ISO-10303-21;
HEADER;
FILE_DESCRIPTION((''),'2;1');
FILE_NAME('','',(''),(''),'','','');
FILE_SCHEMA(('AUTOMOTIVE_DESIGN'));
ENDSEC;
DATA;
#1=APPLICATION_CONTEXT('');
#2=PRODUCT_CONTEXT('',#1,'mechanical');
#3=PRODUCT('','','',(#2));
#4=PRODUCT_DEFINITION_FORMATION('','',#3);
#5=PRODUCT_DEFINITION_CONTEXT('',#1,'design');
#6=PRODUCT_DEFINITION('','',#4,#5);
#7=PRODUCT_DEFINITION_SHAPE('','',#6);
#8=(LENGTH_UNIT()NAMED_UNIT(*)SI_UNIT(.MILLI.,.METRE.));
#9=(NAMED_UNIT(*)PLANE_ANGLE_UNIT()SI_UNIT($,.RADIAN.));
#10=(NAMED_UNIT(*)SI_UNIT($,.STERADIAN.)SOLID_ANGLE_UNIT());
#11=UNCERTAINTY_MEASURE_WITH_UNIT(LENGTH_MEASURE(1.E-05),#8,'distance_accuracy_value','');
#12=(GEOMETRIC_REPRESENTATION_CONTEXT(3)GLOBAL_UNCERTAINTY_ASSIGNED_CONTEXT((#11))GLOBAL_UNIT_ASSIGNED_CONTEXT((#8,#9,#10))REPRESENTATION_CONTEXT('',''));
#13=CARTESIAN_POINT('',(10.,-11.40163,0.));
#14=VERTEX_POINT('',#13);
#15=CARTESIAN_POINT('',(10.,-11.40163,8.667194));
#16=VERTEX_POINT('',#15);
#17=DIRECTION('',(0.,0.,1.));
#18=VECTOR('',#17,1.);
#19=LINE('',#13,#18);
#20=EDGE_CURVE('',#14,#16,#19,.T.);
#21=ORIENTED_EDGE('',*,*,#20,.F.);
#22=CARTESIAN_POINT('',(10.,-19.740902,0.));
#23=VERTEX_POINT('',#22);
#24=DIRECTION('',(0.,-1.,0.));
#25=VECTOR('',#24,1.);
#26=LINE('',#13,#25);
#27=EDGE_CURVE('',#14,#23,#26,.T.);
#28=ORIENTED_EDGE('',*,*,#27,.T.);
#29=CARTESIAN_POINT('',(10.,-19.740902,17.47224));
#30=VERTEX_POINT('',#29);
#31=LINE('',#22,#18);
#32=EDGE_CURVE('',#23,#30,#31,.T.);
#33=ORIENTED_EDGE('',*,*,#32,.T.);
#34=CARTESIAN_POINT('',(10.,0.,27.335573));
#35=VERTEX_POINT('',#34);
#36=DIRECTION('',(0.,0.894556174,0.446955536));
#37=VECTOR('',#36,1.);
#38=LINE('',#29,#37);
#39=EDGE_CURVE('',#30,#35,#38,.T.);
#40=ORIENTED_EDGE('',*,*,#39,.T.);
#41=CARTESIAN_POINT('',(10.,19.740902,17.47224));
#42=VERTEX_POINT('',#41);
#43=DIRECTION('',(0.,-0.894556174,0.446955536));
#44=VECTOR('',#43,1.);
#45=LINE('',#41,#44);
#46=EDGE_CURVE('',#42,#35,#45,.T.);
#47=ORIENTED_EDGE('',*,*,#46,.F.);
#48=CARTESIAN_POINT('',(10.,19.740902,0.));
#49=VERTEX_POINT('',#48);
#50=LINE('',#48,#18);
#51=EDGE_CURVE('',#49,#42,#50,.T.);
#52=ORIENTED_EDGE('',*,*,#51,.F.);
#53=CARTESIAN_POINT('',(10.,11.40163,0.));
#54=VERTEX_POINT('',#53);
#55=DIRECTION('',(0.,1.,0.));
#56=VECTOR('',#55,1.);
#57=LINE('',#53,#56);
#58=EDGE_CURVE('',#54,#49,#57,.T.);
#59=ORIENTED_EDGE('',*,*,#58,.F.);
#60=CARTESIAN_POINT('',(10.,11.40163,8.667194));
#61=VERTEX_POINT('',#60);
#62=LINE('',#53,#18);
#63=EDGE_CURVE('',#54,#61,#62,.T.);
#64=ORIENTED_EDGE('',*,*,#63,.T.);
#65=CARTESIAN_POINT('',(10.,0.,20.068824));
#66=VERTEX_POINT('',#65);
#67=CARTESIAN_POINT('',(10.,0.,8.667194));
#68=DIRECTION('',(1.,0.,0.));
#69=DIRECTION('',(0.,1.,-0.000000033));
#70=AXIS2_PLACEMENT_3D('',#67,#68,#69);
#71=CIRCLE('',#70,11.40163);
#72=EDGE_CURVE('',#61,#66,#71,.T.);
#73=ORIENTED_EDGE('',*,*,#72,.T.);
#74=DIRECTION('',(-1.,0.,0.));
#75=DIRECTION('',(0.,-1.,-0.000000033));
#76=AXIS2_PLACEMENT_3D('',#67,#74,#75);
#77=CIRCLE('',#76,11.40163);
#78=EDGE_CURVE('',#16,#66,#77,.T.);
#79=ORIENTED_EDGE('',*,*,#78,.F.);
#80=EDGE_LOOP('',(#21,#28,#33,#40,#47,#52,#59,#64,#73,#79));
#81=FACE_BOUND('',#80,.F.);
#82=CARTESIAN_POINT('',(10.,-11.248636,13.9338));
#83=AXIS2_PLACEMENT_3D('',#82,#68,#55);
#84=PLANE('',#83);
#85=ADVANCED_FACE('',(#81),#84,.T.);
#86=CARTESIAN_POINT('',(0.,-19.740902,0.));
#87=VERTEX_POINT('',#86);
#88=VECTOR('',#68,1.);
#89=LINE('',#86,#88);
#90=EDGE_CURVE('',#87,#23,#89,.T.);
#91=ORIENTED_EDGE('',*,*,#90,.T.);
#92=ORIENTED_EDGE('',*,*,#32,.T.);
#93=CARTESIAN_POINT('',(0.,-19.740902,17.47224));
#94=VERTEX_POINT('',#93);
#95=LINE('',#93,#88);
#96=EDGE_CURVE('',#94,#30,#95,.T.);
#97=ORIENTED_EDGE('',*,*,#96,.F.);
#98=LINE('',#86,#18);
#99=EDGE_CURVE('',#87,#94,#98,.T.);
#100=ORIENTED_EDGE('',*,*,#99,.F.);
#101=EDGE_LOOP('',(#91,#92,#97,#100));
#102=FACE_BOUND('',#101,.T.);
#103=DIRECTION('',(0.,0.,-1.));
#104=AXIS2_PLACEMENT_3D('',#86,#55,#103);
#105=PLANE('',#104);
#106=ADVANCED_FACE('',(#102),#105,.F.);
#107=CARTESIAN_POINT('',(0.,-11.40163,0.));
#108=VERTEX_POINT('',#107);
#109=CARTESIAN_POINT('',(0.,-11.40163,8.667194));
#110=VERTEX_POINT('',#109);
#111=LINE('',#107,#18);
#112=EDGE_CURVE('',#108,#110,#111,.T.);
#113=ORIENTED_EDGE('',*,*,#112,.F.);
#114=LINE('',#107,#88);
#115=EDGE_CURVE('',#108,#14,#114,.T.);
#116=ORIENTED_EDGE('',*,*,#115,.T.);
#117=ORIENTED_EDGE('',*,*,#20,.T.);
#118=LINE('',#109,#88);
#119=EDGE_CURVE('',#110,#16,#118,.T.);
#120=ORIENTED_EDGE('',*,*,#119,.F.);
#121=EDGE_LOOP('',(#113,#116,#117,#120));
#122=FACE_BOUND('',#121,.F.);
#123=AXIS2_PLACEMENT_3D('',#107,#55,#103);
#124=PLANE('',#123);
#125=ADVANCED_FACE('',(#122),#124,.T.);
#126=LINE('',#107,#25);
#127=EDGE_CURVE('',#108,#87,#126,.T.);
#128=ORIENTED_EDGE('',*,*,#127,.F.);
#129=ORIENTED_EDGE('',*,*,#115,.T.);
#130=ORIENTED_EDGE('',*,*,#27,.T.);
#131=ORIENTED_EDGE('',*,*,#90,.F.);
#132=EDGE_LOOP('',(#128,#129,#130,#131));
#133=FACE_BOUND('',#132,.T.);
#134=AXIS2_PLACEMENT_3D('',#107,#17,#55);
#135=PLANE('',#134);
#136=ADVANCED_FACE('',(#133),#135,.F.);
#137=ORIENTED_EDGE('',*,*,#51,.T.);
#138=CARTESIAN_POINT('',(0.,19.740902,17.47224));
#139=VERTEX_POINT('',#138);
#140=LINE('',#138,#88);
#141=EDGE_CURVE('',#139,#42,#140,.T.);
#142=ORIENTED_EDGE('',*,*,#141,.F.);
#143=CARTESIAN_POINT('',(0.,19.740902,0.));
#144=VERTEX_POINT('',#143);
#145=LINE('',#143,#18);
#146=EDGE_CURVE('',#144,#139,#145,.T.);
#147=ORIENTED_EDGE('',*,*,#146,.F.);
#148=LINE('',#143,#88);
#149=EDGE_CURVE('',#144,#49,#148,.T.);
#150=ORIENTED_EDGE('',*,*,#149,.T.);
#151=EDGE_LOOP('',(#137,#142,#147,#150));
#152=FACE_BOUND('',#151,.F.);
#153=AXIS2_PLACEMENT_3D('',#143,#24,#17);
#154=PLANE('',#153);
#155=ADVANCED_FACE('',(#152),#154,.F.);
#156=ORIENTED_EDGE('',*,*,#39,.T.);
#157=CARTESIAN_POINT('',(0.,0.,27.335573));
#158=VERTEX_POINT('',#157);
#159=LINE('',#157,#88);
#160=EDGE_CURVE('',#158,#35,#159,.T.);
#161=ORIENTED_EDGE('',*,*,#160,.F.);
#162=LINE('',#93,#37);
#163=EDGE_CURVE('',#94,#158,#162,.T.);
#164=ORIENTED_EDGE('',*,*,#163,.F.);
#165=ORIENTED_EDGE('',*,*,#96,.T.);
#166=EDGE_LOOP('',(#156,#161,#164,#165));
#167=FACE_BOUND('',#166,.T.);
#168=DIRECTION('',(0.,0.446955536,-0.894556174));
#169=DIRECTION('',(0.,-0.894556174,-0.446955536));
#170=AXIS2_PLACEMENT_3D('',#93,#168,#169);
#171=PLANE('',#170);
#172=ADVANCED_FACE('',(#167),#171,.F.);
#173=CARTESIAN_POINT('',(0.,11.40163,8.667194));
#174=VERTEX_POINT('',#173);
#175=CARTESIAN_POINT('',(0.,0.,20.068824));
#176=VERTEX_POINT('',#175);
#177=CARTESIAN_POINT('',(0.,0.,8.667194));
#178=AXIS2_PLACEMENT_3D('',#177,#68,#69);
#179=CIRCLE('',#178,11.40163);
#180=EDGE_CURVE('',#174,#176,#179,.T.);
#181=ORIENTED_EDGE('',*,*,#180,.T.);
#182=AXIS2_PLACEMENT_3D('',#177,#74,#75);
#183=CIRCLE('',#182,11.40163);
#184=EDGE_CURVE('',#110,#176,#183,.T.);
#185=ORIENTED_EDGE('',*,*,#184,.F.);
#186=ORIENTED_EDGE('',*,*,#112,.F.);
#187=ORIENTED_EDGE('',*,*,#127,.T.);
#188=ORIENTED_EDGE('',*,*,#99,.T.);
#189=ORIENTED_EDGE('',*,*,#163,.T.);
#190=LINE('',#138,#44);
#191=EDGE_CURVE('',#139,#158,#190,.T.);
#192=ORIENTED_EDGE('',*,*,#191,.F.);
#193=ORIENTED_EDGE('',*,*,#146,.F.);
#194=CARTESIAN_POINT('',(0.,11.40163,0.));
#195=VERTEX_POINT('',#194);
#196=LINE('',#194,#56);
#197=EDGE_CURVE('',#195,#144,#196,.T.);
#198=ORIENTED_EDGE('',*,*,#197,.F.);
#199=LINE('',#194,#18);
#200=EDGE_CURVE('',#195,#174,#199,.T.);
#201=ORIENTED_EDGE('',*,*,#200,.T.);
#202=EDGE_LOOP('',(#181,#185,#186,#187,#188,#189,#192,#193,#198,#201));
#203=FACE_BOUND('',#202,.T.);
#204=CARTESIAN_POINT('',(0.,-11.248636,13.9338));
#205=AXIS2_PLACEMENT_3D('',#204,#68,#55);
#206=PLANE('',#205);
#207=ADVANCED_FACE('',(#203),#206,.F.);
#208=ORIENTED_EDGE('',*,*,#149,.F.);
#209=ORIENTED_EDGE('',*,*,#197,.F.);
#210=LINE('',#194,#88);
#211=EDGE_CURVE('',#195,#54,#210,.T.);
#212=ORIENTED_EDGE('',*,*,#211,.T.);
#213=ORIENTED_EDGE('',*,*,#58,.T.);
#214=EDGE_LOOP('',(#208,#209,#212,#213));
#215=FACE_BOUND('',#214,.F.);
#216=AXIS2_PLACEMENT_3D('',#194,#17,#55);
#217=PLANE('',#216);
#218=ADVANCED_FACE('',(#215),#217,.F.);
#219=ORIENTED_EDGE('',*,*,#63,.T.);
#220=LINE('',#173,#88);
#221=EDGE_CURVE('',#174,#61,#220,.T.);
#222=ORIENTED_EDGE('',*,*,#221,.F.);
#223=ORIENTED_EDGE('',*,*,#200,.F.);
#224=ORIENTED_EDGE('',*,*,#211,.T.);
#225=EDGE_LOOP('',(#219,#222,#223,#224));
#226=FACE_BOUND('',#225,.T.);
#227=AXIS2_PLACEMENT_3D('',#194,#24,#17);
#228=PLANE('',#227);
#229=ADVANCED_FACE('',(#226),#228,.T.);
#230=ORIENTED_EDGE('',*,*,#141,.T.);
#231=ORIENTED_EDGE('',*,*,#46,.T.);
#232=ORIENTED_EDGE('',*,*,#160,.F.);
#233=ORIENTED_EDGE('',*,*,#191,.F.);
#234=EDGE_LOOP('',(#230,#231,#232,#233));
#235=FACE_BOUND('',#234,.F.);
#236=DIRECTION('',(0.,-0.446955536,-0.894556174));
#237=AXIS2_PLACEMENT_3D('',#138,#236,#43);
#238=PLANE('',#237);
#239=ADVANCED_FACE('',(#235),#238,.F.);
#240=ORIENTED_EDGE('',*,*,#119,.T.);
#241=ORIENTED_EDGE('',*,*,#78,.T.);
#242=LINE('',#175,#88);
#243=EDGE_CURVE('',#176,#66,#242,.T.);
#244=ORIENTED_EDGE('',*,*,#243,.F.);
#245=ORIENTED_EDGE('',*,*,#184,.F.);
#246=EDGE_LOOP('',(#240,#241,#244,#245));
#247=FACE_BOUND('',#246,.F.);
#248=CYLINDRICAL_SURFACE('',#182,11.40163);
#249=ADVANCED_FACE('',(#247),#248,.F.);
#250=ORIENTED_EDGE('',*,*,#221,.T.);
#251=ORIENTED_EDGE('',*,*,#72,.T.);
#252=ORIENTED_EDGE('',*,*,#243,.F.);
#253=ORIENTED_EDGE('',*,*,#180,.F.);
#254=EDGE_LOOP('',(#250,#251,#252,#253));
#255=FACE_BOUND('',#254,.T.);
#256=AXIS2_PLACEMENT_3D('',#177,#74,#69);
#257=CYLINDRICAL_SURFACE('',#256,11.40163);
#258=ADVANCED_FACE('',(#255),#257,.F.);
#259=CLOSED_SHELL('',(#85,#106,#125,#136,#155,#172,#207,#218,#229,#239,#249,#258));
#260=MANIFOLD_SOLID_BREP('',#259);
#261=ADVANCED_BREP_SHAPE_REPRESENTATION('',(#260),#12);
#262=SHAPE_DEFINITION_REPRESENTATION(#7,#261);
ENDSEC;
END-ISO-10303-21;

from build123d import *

# Parameters (mm, degrees)
PAD_DEPTH = 10


with BuildPart() as part:
    # Sketch → Pad (new body)
    with BuildSketch(Plane.YZ):
        with BuildLine():
            Line((11.40163, 0), (19.740902, 0))
            Line((19.740902, 0), (19.740902, 17.47224))
            Line((19.740902, 17.47224), (0, 27.335573))
            Line((0, 27.335573), (0, 20.068824))
            ThreePointArc((11.40163, 8.667194), (8.06217, 16.729364), (0, 20.068824))
            Line((11.40163, 0), (11.40163, 8.667194))
        make_face()
    pad = extrude(amount=PAD_DEPTH)

    # Mirrored: Pad across Sketch V_Axis
    add(pad.mirror(Plane(origin=(0, 0, 0), x_dir=(1, 0, 0), z_dir=(0, 1, 0))))


solid = part.part
